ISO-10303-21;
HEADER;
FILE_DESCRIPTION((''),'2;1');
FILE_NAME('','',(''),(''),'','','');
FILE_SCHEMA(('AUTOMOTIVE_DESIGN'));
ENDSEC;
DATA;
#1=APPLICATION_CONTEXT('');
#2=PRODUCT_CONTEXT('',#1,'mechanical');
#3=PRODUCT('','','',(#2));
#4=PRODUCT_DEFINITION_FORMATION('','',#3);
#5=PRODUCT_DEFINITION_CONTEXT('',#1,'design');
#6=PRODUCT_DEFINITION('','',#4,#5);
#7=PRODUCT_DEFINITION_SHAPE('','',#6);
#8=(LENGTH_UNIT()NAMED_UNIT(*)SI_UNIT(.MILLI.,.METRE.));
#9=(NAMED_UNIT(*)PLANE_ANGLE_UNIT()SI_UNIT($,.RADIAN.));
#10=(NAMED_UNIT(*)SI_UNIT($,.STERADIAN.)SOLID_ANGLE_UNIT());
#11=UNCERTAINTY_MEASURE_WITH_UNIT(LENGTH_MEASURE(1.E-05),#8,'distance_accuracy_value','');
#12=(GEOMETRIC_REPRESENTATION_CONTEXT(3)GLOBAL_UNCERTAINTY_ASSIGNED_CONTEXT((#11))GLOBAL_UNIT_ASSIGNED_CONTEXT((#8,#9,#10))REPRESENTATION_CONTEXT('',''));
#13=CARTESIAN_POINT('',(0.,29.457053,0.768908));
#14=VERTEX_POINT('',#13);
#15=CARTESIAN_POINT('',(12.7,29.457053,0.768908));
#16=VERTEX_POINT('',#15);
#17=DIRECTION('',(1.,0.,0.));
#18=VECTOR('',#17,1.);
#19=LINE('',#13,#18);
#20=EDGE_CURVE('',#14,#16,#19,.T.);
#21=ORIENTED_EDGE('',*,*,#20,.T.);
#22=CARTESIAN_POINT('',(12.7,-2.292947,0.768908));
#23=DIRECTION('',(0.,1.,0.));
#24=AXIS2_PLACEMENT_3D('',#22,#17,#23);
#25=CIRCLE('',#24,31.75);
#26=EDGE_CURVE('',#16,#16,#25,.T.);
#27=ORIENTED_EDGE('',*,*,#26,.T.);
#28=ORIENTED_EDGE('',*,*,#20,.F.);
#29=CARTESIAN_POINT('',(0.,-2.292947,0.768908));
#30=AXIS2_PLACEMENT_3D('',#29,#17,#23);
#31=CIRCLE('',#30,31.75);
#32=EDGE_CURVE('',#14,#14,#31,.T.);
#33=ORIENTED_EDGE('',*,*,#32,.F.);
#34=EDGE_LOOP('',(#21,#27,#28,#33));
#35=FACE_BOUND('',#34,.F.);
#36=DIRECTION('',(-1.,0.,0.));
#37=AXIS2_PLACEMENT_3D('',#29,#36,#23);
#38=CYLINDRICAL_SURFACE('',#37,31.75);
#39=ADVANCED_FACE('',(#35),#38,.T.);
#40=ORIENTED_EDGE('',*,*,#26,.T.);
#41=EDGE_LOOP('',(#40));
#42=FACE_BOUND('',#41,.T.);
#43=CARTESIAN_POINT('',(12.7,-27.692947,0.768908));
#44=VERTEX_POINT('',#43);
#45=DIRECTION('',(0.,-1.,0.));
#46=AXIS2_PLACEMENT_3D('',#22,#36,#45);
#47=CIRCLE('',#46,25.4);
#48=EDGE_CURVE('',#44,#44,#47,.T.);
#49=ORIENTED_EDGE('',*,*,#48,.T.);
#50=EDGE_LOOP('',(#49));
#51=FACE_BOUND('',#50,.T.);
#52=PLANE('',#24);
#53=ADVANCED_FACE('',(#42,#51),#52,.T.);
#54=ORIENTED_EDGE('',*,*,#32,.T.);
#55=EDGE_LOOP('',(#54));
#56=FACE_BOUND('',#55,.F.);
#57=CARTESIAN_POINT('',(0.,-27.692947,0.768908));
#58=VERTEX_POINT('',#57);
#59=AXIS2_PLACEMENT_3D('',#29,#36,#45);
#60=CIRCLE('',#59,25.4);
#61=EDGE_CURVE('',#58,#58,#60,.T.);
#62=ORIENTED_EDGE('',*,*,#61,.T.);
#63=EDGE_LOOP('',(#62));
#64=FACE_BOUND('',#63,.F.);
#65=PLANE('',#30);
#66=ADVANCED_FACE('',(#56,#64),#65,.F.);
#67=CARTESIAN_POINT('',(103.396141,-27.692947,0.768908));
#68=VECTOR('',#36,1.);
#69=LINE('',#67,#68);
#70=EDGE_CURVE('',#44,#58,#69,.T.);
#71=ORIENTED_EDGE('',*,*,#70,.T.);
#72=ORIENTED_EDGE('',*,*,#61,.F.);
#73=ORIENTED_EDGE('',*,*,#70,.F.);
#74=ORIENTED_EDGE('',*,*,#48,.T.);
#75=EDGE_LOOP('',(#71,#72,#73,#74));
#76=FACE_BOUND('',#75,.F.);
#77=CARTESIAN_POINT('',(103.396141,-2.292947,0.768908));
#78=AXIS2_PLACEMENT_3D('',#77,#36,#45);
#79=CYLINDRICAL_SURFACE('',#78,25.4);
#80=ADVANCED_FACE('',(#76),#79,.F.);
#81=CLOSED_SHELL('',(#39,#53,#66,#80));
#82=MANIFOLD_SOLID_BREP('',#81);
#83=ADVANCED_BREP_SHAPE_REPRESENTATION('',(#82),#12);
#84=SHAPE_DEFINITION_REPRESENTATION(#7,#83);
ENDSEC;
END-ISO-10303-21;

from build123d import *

# Parameters (mm, degrees)
F0_R     = 31.75
F1_DEPTH = 12.7
F3_D     = 50.8


with BuildPart() as f1:
    # F0 (on Right) → F1 (new body)
    with BuildSketch(Plane.YZ):
        with Locations((-2.292947, 0.768908)):
            Circle(F0_R)
    extrude(amount=F1_DEPTH)

    # F3 (through all)
    with Locations(Plane.YZ.offset(12.7)):
        with Locations((-2.292947, 0.768908)):
            Hole(F3_D / 2)


solid = f1.part
